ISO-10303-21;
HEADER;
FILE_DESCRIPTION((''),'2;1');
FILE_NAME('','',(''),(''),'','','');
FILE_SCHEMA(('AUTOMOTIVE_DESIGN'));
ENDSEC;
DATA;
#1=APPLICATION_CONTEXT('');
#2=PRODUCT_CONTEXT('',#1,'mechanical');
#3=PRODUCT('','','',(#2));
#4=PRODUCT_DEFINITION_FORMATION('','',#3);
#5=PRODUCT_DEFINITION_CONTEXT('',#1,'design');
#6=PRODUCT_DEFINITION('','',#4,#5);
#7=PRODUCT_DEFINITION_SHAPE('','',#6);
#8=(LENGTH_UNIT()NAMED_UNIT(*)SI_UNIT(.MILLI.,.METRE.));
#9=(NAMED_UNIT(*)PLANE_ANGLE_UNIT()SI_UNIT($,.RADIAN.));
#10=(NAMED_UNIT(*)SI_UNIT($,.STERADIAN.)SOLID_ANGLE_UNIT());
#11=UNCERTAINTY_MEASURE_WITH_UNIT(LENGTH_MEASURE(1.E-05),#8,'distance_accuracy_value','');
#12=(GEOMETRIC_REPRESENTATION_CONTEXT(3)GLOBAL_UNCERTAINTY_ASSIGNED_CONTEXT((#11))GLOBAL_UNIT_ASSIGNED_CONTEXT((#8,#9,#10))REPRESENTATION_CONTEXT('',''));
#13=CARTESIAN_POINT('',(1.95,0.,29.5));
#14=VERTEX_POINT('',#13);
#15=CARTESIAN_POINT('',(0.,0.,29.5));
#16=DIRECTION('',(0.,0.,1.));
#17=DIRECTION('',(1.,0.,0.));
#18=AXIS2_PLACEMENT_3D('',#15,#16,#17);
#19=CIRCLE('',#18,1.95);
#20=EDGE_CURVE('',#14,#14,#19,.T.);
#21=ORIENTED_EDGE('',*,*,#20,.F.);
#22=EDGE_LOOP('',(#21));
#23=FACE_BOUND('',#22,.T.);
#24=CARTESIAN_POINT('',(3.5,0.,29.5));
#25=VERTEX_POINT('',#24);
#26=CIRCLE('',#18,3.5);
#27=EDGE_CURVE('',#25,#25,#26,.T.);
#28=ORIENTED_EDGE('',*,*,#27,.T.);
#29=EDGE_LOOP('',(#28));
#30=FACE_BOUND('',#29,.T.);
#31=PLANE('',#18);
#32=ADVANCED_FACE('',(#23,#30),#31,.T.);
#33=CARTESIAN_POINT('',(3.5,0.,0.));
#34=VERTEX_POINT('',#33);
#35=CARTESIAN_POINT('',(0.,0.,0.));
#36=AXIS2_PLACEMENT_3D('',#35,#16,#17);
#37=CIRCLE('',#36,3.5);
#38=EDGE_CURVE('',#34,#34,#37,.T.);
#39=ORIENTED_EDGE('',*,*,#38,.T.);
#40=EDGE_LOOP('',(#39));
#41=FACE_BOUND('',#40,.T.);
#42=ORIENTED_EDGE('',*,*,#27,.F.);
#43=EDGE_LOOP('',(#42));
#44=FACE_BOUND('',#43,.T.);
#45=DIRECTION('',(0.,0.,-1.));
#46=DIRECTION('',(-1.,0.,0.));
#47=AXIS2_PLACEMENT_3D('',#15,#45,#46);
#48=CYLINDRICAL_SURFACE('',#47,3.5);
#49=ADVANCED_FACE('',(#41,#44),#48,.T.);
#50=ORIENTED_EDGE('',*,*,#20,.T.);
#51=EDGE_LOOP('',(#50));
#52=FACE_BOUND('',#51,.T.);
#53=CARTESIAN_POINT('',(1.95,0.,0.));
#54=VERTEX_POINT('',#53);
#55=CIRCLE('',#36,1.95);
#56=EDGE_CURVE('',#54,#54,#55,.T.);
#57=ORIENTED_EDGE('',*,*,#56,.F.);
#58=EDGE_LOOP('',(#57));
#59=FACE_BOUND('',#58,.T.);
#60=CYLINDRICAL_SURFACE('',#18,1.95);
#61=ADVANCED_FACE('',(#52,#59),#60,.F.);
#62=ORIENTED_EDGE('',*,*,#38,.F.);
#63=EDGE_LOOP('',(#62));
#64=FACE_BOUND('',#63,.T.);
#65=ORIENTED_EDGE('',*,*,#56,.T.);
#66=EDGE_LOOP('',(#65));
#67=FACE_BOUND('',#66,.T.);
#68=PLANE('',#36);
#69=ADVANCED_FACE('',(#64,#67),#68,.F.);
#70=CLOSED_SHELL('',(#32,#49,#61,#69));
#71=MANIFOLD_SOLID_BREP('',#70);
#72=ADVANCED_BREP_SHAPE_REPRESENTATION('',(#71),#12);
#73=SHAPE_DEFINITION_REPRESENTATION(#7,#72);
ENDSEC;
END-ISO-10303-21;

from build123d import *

# Parameters (mm, degrees)
ESQUISSE1_R                               = 3.5
BOSS_EXTRU_1_DEPTH                        = 29.5
TROU_POUR_TARAUDAGE_POUR_TROU_TARAUD_M4_D = 3.9


with BuildPart() as part:
    # Esquisse1 → Boss.-Extru.1 (new body)
    with BuildSketch(Plane.XY):
        Circle(ESQUISSE1_R)
    extrude(amount=BOSS_EXTRU_1_DEPTH)

    # Trou pour taraudage pour trou taraudé M41 (through all)
    with Locations(Plane.XY.offset(29.5)):
        with Locations((0, 0)):
            Hole(TROU_POUR_TARAUDAGE_POUR_TROU_TARAUD_M4_D / 2)


solid = part.part
